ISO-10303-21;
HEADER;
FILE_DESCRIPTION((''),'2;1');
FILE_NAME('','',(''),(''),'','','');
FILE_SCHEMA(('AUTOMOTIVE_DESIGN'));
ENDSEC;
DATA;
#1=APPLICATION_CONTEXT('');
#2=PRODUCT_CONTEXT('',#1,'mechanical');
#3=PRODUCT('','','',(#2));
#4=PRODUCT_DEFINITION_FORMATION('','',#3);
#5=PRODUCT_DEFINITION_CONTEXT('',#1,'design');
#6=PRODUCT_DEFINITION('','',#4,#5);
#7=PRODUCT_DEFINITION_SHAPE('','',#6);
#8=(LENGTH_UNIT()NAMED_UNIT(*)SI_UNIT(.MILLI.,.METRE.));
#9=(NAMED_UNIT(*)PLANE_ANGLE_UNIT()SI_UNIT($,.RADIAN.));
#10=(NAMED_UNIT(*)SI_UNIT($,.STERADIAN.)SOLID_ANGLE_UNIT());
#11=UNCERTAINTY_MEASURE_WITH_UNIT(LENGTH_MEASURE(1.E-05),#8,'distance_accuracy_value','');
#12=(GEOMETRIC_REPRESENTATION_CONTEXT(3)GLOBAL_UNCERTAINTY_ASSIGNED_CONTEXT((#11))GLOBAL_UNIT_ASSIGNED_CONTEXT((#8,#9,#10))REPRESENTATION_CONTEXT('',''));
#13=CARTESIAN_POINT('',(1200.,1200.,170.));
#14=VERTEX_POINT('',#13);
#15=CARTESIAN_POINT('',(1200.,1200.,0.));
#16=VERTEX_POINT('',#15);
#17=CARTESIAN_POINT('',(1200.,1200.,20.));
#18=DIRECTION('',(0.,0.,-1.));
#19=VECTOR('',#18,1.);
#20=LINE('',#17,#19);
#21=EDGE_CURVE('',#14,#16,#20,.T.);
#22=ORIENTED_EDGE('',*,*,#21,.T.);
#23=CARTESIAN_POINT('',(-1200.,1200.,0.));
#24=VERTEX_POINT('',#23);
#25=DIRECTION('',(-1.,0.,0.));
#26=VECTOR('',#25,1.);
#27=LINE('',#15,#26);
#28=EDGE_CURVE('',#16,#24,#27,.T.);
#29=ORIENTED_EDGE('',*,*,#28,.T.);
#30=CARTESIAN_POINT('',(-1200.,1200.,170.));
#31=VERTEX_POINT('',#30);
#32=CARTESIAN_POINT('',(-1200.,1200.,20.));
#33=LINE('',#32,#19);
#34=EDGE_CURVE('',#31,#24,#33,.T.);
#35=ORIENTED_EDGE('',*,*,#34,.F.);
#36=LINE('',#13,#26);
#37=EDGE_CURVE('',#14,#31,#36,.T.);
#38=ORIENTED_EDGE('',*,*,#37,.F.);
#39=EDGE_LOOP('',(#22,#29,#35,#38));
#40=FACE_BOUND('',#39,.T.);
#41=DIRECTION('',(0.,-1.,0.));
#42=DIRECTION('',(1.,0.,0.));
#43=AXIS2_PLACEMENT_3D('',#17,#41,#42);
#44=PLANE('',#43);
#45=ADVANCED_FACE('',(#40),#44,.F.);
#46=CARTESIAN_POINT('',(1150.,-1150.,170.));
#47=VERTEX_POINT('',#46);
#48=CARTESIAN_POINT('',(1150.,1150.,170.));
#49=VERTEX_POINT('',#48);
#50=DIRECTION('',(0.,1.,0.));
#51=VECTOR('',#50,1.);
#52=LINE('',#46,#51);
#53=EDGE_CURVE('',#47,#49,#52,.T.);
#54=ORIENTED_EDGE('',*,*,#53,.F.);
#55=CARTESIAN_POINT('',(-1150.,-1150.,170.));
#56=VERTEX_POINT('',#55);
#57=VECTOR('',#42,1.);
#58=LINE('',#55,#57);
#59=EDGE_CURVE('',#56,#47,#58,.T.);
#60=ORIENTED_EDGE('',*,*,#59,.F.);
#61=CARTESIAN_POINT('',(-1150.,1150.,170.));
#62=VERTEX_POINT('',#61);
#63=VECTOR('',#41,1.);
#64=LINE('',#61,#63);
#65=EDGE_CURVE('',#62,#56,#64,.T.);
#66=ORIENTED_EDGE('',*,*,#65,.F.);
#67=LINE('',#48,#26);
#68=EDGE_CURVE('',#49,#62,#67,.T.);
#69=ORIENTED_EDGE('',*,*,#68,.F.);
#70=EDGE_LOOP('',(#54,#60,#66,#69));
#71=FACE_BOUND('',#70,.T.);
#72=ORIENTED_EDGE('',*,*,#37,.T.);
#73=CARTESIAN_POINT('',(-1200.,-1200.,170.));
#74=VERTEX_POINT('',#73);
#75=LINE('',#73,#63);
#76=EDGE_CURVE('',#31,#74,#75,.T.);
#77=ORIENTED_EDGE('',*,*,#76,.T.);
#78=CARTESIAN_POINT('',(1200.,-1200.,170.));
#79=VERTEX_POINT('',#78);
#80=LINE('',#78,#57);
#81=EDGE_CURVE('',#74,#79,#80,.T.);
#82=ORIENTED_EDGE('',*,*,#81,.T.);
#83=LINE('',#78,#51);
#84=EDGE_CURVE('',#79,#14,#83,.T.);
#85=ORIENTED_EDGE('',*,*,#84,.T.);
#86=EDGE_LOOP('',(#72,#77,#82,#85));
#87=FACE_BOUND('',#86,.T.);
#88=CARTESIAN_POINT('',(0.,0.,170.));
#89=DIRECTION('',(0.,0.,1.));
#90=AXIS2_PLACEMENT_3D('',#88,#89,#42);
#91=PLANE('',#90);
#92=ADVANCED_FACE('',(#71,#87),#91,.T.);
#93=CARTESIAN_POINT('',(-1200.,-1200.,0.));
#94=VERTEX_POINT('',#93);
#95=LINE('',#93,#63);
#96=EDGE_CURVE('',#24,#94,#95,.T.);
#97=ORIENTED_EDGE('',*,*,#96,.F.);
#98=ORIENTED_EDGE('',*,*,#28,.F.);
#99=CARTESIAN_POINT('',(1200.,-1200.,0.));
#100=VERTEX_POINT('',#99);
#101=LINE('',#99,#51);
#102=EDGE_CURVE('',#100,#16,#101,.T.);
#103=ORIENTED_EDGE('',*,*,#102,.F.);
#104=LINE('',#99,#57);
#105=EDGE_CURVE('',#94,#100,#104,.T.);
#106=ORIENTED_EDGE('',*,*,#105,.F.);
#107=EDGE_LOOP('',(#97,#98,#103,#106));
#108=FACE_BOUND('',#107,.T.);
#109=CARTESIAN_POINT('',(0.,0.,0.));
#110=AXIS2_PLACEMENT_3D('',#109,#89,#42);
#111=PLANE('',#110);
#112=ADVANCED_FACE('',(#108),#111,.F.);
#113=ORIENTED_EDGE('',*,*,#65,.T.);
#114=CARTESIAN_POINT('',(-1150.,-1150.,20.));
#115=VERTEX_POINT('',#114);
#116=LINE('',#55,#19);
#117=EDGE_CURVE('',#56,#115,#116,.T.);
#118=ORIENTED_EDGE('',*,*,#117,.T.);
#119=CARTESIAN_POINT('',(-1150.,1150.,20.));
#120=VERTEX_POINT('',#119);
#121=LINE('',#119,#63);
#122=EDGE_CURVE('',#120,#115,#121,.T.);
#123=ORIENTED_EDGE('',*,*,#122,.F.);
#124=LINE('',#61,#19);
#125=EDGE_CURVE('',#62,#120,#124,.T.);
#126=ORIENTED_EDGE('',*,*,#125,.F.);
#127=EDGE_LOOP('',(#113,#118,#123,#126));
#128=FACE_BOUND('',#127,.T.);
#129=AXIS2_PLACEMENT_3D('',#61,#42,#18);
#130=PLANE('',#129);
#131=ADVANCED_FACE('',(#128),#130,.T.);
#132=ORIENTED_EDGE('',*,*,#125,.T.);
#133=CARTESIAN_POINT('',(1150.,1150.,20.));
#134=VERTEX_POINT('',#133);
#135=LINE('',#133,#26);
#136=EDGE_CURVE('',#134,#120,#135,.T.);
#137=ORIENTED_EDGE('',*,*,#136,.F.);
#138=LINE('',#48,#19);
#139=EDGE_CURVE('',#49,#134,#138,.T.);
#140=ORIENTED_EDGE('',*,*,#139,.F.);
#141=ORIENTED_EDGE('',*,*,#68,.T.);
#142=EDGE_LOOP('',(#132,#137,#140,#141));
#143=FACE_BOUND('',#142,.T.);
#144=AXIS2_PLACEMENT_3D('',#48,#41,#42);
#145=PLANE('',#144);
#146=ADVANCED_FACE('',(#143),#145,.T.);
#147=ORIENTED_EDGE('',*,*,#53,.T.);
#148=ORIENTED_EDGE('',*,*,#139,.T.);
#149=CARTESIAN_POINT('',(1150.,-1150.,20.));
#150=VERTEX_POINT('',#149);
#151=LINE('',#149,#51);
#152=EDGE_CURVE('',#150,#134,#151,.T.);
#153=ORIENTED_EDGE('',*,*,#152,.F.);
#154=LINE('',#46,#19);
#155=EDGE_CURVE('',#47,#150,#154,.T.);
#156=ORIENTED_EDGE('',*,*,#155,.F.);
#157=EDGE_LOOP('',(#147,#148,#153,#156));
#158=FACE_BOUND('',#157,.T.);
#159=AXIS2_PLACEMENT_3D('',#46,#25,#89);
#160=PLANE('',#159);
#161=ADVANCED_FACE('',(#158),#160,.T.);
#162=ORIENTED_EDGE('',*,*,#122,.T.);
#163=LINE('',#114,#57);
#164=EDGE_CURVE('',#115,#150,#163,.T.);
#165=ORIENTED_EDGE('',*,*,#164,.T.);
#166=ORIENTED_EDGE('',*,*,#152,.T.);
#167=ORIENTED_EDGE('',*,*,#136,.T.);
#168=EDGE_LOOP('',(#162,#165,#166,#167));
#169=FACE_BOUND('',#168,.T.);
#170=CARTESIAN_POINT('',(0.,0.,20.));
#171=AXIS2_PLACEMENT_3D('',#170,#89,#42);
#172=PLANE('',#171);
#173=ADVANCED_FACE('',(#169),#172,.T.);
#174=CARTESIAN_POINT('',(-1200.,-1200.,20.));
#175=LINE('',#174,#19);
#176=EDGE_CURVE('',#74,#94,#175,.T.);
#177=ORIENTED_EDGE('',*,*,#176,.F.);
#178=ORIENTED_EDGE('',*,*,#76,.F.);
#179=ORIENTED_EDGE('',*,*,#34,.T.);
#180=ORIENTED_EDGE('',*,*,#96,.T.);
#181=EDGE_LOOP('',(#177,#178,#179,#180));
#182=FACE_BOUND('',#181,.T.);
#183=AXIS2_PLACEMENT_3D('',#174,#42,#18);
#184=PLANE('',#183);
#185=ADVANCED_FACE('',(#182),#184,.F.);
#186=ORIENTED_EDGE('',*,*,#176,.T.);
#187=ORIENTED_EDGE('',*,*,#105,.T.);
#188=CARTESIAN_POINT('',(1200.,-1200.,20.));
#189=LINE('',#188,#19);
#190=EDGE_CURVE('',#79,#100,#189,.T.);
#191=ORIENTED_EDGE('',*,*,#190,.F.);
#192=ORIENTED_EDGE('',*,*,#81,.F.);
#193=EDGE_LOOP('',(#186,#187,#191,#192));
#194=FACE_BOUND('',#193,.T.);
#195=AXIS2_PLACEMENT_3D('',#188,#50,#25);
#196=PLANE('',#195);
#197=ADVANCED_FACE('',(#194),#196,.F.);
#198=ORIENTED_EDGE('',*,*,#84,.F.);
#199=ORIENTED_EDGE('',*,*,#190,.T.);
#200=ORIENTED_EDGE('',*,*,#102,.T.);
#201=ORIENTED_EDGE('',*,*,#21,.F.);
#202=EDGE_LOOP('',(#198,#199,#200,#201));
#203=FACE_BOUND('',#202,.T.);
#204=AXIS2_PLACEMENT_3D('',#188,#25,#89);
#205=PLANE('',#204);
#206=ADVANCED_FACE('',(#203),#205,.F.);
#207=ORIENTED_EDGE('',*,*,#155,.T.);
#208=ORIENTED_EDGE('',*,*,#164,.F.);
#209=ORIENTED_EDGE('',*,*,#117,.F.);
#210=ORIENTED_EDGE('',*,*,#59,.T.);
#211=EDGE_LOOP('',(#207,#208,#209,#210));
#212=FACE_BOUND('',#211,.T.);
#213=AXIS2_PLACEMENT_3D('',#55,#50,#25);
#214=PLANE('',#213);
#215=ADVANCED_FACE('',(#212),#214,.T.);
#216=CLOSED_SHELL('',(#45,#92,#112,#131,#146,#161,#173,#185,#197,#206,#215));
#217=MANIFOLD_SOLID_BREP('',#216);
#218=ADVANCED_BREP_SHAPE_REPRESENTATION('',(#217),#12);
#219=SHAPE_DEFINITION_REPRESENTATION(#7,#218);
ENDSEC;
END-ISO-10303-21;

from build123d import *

# Parameters (mm, degrees)
SKETCH1_W           = 2400
SKETCH1_H           = 2400
BOSS_EXTRUDE1_DEPTH = 20
SKETCH2_W           = 2400
SKETCH2_H           = 2400
SKETCH2_W_2         = 2300
SKETCH2_H_2         = 2300
BOSS_EXTRUDE2_DEPTH = 150


with BuildPart() as part:
    # Sketch1 → Boss-Extrude1 (new body)
    with BuildSketch(Plane.XY):
        Rectangle(SKETCH1_W, SKETCH1_H)
    extrude(amount=BOSS_EXTRUDE1_DEPTH)

    # Sketch2 → Boss-Extrude2 (add)
    with BuildSketch(Plane.XY.offset(20)):
        Rectangle(SKETCH2_W, SKETCH2_H)
        Rectangle(SKETCH2_W_2, SKETCH2_H_2, mode=Mode.SUBTRACT)
    extrude(amount=BOSS_EXTRUDE2_DEPTH)


solid = part.part
